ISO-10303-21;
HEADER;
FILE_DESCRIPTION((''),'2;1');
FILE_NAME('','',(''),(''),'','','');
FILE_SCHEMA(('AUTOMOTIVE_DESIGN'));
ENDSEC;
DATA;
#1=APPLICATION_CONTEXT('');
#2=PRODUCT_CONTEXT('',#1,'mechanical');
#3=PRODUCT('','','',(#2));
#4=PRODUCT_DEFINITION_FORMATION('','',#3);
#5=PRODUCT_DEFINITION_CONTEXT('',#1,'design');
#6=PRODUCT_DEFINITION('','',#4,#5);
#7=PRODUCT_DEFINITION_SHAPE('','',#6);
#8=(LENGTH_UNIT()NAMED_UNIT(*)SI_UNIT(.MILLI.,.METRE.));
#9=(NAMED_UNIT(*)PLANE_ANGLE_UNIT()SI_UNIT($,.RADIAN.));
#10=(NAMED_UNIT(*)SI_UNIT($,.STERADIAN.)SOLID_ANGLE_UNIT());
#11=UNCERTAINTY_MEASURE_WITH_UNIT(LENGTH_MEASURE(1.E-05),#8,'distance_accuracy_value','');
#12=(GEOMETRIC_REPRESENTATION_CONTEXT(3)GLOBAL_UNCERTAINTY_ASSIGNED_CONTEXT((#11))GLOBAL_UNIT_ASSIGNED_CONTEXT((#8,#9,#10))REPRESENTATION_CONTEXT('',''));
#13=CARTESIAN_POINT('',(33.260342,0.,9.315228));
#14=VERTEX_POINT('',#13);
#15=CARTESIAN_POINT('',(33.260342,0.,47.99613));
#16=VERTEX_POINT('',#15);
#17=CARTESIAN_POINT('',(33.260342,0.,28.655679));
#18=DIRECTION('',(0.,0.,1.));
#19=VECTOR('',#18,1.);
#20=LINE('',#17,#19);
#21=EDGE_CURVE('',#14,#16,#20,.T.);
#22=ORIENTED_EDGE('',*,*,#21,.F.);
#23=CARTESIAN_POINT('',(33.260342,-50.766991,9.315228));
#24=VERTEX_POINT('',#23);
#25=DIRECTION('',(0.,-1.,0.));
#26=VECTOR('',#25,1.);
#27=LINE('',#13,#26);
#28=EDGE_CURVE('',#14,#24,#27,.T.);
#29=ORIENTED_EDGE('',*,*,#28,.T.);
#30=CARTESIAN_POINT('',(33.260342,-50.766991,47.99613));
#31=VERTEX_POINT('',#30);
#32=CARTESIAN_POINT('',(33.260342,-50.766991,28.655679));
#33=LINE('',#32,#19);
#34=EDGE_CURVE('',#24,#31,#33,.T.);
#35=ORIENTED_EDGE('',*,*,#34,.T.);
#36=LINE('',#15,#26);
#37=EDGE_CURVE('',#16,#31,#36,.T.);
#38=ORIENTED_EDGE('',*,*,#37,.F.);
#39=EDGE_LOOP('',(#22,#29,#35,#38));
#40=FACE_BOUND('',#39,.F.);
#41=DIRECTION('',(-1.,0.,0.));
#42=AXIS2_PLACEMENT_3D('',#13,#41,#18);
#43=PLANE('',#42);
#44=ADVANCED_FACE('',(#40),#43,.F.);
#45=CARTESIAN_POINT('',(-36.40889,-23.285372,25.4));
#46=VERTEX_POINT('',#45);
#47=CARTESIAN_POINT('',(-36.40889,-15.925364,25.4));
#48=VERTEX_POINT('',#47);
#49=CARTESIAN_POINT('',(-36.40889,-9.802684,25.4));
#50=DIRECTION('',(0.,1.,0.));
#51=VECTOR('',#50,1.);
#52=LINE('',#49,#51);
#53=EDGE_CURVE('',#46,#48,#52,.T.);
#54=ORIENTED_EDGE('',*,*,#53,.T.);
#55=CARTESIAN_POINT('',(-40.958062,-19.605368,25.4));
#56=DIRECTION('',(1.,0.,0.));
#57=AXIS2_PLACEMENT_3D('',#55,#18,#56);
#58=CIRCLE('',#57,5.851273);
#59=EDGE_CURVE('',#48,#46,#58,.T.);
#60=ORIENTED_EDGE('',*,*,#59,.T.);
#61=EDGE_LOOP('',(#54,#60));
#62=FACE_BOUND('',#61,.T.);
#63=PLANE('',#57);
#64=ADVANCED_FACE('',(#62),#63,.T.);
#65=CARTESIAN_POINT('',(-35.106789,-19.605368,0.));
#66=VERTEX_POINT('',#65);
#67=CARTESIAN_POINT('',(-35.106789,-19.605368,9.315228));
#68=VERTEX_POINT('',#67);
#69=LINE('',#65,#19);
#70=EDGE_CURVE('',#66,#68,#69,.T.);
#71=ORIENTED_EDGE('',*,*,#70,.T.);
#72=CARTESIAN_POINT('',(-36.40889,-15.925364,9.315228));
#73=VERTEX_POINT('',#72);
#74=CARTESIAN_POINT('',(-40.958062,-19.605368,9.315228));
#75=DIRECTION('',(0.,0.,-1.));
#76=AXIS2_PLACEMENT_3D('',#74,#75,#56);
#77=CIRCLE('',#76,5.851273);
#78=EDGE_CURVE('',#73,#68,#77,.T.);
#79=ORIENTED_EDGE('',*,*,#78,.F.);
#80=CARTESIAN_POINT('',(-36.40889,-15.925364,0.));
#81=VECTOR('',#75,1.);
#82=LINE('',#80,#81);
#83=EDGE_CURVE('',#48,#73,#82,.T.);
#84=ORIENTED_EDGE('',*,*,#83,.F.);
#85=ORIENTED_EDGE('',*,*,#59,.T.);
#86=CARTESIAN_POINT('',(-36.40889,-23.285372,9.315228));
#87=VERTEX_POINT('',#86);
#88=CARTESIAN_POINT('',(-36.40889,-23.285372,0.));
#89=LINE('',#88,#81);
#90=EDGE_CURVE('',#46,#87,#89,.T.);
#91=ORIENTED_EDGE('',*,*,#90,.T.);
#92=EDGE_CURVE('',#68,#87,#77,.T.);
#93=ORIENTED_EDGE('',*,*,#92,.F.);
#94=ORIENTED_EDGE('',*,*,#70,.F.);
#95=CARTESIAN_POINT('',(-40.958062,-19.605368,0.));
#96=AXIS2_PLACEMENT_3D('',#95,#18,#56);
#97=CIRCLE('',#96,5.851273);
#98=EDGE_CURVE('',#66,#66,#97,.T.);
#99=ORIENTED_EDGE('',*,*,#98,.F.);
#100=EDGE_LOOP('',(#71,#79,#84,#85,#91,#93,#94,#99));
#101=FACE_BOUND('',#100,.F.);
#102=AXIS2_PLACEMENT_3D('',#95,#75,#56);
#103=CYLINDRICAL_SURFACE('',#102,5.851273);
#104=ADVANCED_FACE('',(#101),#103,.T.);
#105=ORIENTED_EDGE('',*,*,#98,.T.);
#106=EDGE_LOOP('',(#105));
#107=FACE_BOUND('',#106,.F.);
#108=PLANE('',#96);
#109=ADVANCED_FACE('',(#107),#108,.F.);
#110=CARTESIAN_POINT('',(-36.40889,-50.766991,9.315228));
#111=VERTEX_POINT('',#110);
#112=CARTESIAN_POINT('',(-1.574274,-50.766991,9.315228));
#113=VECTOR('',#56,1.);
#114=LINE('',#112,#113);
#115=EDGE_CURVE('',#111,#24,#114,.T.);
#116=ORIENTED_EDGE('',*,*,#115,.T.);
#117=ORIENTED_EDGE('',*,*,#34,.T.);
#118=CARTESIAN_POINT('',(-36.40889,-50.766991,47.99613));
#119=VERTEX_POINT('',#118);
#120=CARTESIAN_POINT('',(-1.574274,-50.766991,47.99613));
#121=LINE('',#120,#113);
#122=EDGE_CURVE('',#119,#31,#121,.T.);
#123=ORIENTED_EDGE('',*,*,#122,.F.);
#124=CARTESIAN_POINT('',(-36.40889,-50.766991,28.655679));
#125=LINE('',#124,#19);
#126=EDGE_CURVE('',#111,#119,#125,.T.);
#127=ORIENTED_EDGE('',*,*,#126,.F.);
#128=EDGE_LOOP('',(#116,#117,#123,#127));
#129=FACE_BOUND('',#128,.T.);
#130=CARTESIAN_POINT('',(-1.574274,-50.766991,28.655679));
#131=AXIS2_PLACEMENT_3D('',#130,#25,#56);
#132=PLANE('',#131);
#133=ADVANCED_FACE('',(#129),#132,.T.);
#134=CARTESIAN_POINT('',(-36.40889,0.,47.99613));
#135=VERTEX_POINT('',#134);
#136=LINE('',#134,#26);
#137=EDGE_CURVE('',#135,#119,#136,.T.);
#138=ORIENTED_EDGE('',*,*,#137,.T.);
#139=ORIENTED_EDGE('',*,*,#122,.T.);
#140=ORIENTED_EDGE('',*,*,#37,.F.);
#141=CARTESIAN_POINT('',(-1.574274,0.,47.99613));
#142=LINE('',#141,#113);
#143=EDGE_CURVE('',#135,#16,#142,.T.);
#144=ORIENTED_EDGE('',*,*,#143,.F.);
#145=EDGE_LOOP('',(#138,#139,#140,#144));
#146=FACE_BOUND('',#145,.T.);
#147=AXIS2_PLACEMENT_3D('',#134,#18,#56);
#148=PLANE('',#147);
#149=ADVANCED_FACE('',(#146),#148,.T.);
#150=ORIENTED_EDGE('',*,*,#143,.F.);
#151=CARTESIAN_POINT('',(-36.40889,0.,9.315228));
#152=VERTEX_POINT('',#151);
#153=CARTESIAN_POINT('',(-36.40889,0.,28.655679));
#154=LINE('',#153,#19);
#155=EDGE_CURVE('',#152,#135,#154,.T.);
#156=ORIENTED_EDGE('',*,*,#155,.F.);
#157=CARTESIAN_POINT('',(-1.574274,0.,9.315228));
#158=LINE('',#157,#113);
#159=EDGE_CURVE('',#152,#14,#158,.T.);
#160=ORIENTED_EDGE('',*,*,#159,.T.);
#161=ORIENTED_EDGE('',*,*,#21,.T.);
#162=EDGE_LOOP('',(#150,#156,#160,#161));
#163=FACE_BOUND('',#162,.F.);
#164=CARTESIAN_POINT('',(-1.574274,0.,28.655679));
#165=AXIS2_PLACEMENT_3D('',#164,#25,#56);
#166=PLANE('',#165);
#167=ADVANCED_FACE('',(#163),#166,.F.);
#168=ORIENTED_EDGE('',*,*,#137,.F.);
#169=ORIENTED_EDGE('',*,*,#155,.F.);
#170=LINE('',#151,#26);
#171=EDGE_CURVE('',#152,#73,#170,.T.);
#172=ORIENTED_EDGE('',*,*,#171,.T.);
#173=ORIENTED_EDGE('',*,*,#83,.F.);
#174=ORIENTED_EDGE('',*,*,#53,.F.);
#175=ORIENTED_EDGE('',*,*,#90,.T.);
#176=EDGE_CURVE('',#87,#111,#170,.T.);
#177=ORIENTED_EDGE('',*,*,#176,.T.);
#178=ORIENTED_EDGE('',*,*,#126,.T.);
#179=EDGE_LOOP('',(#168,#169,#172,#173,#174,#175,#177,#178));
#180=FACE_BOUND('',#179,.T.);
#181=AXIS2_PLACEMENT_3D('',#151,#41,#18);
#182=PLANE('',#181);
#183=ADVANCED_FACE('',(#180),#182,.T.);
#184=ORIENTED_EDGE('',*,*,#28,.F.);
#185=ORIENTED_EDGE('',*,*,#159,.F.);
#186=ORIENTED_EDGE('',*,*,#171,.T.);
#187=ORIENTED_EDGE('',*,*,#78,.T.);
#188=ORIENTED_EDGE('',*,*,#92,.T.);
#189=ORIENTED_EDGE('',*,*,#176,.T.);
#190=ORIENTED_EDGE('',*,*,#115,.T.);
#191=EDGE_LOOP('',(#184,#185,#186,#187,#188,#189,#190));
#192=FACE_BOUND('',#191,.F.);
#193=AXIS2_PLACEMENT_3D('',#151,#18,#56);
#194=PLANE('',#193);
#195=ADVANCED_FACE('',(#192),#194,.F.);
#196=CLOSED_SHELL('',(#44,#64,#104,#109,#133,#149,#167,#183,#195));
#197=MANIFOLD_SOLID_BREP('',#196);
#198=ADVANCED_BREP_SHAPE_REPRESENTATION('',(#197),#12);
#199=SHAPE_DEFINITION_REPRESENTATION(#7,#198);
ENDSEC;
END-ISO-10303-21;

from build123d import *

# Parameters (mm, degrees)
F0_W     = 69.669232
F0_H     = 38.680902
F1_DEPTH = 50.766991
F2_R     = 5.851273
F3_DEPTH = 25.4


with BuildPart() as f1:
    # F0 (on Front) → F1 (new body)
    with BuildSketch(Plane.XZ):
        with Locations((-1.574274, 28.655679)):
            Rectangle(F0_W, F0_H)
    extrude(amount=F1_DEPTH)

    # F2 (on Top) → F3 (join)
    with BuildSketch(Plane.XY):
        with Locations((-40.958062, -19.605368)):
            Circle(F2_R)
    extrude(amount=F3_DEPTH)


solid = f1.part
